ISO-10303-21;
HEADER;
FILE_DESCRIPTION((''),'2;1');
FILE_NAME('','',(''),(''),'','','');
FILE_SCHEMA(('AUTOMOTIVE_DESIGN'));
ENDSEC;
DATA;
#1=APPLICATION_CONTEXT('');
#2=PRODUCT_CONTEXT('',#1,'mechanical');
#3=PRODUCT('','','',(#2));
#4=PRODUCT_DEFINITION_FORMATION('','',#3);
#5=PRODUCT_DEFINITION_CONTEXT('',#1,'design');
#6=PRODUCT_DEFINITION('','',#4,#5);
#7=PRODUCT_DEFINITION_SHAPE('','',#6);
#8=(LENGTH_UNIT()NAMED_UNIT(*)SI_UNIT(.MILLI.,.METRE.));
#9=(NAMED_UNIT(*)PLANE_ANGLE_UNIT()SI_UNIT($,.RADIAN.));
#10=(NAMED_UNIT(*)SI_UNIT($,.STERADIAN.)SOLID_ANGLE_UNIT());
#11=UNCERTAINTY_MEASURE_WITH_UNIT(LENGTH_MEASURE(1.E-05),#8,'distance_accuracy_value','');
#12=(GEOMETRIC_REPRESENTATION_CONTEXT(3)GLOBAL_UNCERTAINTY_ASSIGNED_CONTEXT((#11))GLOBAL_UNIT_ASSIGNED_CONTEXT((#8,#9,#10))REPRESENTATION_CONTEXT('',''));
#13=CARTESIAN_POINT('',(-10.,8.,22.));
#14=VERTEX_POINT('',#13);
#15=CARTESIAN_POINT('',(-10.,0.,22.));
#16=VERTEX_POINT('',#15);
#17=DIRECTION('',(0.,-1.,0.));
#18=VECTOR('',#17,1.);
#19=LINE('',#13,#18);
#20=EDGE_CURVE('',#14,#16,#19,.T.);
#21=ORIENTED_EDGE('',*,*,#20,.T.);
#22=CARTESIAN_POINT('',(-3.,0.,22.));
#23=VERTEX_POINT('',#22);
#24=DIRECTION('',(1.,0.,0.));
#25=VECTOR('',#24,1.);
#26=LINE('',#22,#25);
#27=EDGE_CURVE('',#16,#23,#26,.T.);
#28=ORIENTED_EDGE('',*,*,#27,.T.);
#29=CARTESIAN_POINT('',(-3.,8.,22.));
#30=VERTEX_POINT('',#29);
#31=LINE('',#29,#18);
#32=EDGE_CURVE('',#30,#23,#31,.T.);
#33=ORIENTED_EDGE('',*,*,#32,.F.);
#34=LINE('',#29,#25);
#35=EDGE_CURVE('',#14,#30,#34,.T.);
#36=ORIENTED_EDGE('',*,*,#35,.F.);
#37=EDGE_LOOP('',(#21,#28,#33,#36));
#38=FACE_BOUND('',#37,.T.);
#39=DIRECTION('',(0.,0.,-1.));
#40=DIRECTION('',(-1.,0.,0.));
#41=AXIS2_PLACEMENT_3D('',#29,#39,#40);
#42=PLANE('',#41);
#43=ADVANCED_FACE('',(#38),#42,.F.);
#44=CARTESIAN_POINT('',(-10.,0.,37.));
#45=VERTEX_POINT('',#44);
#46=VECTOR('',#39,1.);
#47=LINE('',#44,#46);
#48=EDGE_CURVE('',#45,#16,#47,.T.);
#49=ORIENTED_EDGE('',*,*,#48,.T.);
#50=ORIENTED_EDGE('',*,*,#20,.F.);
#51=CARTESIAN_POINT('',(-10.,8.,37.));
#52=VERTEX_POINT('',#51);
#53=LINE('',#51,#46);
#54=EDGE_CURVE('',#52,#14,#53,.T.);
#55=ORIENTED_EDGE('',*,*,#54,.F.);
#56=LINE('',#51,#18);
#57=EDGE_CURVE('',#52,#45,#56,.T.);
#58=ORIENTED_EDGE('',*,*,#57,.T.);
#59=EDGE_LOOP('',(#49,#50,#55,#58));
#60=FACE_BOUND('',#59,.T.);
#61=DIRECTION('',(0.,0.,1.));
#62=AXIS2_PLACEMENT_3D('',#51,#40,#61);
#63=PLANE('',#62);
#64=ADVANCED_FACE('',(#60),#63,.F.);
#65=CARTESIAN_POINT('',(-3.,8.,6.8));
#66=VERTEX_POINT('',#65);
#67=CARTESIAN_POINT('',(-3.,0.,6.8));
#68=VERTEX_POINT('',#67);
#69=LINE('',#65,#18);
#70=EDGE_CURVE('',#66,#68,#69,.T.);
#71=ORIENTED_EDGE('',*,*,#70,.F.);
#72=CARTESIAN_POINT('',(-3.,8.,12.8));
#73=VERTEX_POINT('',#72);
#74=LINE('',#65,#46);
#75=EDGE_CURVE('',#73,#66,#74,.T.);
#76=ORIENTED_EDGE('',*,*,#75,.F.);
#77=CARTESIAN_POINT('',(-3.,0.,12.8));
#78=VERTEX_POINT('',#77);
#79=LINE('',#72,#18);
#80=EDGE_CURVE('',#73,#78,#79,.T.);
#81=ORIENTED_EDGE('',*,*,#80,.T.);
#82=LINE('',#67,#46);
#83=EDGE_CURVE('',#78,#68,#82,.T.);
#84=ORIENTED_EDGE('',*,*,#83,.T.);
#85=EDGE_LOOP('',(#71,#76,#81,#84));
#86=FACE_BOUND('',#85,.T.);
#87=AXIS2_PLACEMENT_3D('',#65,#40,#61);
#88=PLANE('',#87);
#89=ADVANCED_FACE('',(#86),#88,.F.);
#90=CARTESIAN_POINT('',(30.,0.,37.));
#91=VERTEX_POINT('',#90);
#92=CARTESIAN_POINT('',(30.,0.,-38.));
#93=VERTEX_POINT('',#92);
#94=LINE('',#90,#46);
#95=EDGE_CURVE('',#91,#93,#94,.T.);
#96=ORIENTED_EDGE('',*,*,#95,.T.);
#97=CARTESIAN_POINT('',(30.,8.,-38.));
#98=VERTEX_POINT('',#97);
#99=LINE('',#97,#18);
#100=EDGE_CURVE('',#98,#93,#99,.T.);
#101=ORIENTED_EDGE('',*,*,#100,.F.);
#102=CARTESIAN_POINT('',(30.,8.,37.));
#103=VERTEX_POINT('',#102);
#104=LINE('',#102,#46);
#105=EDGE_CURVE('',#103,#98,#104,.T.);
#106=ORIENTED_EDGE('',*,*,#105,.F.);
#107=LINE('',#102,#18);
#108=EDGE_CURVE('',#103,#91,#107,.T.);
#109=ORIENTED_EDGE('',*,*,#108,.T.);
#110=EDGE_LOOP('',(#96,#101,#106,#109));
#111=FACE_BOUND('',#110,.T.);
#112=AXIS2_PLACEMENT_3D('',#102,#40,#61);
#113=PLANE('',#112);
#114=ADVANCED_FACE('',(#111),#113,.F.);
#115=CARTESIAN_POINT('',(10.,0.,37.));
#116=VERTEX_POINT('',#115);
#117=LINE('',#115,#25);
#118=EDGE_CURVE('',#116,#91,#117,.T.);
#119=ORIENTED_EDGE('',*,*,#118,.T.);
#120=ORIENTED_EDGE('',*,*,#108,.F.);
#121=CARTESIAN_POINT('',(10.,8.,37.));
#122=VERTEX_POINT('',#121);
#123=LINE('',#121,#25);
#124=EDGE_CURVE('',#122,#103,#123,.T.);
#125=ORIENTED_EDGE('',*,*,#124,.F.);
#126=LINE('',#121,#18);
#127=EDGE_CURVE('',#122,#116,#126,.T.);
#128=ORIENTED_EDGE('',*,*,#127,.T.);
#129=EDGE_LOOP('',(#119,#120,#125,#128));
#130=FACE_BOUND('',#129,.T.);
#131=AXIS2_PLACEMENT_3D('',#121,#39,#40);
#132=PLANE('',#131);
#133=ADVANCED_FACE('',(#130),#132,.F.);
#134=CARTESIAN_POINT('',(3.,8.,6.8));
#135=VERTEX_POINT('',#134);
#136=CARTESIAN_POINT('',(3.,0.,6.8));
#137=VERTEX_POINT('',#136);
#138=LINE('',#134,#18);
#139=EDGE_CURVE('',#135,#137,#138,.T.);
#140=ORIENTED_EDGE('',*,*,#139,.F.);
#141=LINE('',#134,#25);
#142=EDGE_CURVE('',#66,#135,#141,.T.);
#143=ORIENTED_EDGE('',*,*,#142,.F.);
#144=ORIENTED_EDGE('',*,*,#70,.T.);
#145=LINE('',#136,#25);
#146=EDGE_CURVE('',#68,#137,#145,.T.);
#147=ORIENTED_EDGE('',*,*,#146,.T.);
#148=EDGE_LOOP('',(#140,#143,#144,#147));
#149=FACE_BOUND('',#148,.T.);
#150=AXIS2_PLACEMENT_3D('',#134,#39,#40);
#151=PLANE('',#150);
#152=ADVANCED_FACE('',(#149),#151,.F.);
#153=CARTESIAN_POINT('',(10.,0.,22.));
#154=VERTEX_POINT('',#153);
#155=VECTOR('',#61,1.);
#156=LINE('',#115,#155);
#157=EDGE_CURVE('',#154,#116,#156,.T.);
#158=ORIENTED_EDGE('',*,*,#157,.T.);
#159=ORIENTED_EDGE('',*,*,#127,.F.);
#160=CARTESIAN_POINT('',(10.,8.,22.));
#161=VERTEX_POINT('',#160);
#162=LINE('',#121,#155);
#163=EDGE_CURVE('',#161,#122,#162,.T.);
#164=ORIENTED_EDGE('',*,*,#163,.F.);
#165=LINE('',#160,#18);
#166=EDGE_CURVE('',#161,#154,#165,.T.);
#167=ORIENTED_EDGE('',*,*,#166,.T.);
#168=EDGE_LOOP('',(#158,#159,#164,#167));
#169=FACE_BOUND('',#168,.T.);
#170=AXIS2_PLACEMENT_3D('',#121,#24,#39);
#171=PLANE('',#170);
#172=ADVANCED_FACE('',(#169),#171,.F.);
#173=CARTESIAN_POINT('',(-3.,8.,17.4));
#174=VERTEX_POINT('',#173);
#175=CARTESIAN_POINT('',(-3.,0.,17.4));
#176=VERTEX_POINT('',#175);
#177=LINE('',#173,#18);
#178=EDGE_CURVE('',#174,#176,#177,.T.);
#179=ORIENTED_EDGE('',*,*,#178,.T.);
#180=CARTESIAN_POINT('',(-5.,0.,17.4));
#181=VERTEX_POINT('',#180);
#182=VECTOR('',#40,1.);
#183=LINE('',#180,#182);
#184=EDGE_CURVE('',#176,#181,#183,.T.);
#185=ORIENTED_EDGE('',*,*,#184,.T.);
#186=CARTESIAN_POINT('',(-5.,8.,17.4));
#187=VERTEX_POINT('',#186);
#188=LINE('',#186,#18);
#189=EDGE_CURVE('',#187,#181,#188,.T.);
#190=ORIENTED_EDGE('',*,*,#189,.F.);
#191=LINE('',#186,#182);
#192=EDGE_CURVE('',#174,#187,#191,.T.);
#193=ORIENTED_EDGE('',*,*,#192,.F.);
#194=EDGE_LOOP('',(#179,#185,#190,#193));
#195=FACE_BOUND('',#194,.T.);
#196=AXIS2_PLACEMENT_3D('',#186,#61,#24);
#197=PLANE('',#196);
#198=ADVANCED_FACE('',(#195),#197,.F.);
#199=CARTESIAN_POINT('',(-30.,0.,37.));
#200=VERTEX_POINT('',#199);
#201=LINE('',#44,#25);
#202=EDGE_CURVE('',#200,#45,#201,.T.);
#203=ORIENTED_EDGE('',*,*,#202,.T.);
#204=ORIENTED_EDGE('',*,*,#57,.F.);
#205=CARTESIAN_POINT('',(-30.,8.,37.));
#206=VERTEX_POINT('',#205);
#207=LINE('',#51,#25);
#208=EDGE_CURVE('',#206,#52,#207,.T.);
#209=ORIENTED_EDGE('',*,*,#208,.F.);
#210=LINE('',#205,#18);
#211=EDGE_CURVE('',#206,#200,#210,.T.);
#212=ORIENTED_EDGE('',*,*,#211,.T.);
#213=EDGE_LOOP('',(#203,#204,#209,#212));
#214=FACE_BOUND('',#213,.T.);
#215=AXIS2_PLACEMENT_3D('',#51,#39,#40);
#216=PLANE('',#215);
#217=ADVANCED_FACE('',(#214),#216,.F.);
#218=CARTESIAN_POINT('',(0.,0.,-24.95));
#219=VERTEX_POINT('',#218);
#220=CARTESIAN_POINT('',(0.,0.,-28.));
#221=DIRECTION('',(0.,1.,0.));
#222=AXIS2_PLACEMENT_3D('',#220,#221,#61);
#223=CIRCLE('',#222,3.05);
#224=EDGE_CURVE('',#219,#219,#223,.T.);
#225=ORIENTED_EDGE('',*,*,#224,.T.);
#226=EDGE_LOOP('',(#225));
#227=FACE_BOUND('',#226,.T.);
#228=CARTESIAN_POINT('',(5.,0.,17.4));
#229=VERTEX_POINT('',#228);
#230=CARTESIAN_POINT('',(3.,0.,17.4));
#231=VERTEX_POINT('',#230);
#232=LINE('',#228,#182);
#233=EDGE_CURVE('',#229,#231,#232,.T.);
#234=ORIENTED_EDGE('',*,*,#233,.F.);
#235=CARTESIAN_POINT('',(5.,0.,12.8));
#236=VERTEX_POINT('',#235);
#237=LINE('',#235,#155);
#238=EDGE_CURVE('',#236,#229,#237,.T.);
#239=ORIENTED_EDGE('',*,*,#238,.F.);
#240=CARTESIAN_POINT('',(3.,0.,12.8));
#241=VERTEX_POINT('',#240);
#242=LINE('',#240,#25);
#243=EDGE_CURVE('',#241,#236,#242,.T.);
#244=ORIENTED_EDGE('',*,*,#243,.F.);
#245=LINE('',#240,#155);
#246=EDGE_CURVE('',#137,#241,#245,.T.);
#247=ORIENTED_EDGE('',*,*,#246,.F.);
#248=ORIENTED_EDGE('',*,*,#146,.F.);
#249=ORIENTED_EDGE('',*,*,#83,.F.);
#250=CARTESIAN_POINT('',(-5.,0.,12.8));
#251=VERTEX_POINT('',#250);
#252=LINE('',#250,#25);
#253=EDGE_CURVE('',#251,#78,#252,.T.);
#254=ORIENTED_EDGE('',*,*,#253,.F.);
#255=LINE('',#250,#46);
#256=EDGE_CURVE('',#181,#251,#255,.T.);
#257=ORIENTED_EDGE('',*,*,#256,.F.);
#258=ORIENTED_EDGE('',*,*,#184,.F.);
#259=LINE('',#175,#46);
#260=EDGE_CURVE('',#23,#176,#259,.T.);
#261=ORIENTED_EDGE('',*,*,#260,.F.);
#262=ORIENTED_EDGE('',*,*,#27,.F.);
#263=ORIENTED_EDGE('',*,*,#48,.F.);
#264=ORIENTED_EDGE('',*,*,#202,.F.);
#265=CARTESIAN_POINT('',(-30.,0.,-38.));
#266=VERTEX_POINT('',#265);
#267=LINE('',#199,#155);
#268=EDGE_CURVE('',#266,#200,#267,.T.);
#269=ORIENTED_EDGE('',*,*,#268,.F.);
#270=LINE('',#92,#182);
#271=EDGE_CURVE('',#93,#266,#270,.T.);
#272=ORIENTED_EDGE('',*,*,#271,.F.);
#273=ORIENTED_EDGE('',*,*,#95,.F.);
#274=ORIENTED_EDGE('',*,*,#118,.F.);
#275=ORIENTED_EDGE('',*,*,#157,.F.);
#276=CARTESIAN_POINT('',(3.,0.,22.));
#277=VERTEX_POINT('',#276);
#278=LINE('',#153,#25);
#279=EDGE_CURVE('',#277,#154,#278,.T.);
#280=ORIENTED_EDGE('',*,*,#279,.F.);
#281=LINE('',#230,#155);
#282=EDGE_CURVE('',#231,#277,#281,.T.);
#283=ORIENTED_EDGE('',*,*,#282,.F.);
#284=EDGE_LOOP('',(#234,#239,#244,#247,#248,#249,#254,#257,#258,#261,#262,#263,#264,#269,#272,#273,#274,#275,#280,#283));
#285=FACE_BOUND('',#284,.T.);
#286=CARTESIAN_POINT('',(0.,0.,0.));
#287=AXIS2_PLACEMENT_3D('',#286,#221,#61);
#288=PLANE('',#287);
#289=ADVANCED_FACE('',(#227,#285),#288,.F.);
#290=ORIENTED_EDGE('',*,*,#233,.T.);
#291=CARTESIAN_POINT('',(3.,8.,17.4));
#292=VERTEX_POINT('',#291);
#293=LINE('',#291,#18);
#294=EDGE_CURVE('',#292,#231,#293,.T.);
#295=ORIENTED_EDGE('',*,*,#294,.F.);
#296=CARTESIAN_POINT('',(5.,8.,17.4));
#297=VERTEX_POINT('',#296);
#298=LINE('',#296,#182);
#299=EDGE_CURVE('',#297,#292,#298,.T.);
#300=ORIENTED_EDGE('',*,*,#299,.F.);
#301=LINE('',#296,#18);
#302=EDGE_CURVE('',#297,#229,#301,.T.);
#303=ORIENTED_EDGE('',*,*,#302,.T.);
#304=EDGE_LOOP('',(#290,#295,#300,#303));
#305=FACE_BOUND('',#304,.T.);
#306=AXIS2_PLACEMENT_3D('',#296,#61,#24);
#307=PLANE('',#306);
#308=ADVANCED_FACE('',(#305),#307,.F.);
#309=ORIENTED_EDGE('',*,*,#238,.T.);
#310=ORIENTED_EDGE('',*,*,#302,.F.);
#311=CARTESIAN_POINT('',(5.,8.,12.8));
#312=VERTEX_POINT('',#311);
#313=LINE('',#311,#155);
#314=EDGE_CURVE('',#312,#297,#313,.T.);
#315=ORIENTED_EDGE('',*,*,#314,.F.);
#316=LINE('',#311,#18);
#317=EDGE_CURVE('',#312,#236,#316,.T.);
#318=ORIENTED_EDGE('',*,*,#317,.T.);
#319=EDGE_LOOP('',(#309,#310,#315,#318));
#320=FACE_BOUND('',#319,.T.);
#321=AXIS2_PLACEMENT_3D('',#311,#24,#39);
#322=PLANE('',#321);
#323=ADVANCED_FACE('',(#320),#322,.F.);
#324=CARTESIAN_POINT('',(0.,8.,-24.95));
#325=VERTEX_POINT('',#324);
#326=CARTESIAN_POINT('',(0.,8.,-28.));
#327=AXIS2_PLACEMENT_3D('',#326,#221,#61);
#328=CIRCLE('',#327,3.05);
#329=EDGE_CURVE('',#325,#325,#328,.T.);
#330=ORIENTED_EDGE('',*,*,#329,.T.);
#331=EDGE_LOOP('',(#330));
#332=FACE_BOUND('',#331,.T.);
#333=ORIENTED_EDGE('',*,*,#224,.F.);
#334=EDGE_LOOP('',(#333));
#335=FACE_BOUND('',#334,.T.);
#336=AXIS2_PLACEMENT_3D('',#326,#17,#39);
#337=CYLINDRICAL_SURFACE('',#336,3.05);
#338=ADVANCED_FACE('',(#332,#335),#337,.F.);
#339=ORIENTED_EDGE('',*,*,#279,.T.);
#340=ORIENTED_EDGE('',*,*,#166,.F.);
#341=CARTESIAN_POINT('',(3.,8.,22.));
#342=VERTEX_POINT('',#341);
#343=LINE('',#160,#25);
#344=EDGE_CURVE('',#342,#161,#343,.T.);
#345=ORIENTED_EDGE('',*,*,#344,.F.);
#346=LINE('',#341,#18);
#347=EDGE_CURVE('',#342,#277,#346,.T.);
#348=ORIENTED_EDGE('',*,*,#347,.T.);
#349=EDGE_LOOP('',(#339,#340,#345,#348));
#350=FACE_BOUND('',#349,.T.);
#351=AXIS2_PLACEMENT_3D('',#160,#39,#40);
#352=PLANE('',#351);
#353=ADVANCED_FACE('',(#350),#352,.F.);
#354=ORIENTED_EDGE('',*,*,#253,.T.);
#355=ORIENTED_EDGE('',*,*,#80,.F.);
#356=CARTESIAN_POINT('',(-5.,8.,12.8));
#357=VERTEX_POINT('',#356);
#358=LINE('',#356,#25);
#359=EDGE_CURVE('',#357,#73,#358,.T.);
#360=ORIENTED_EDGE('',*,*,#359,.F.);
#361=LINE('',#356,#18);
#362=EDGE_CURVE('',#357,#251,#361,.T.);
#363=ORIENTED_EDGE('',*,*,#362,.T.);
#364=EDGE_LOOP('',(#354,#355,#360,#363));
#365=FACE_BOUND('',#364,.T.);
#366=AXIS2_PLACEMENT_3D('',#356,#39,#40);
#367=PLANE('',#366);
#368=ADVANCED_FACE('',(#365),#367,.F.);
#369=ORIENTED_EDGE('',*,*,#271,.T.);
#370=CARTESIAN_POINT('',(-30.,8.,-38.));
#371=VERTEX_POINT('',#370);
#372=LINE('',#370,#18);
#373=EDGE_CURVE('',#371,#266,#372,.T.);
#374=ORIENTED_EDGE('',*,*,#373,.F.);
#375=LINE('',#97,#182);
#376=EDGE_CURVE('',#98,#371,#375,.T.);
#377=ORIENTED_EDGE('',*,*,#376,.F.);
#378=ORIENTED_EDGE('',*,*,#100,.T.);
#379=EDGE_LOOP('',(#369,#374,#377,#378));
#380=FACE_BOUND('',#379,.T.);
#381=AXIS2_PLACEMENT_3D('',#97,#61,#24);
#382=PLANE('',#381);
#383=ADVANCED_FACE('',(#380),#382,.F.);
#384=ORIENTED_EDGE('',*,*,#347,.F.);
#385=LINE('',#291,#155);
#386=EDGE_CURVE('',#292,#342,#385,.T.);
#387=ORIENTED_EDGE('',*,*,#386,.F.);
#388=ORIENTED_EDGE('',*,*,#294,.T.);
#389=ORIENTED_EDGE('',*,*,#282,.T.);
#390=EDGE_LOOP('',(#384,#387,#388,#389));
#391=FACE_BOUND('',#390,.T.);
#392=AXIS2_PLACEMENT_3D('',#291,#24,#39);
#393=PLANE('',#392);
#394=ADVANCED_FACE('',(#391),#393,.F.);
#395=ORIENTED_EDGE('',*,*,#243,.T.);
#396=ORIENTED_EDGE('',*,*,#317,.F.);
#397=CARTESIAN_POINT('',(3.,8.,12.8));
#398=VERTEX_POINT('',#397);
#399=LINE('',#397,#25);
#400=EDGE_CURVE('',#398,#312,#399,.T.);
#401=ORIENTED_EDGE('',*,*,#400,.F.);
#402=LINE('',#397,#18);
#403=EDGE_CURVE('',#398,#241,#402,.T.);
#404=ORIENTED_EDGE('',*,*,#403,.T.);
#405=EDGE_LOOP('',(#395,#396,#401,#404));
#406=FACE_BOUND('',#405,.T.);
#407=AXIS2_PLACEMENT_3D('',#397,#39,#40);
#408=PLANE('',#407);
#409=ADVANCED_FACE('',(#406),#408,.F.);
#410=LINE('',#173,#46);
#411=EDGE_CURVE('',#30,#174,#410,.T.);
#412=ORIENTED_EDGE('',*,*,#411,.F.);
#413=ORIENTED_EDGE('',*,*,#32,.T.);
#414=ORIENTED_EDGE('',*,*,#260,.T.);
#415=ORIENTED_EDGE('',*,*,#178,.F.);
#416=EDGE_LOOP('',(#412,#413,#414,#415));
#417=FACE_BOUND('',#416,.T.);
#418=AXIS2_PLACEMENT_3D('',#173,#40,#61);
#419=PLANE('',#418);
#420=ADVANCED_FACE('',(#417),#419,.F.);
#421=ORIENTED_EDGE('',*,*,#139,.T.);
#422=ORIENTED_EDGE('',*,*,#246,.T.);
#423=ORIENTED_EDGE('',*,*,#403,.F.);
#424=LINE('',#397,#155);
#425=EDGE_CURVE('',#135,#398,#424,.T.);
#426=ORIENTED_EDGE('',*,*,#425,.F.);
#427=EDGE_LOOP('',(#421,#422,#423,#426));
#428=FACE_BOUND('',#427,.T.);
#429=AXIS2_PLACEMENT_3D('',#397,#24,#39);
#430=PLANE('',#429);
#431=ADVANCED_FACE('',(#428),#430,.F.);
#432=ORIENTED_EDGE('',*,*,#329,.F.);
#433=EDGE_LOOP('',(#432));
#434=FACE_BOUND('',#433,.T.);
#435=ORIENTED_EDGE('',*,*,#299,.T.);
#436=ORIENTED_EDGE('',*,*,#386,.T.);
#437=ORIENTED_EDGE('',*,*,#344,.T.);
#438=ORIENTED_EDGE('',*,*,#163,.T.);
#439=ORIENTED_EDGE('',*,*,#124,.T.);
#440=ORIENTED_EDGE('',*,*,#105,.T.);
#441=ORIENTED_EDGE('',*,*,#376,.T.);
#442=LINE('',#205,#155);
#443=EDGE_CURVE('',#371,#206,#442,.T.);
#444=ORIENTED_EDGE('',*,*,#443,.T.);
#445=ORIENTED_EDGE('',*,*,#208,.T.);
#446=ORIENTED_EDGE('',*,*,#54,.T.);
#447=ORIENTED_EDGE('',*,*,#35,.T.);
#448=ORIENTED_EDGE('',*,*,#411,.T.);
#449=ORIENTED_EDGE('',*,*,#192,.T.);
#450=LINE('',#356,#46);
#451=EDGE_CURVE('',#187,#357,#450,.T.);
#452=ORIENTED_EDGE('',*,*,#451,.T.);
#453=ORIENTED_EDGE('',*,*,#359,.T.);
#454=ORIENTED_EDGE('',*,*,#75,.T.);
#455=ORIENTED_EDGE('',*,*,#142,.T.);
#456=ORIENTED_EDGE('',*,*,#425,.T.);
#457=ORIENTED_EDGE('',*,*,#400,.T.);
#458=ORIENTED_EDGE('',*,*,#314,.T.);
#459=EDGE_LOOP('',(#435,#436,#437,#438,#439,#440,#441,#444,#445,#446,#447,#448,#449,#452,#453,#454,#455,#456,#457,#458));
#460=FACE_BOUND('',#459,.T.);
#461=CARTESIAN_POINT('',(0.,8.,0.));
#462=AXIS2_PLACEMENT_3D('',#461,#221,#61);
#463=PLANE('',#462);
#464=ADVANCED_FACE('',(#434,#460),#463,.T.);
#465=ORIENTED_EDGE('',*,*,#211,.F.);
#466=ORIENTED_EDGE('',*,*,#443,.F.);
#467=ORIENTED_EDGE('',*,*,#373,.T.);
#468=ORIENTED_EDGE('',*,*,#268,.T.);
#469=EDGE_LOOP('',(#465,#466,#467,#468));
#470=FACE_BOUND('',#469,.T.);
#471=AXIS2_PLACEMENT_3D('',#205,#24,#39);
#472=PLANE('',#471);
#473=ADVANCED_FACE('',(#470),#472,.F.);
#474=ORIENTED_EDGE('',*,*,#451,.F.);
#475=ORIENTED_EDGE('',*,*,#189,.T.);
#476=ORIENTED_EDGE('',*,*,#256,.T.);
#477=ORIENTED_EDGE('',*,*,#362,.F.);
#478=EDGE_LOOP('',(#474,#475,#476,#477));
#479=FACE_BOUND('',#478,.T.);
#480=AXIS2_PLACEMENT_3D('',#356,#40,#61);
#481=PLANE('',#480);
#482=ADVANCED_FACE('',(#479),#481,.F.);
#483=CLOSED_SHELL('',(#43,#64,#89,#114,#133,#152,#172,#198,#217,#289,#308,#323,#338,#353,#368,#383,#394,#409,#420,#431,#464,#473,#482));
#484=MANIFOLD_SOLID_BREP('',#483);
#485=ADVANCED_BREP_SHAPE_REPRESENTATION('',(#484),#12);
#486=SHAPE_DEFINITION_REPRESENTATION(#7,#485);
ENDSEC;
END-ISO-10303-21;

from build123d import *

# Parameters (mm, degrees)
SKETCH1_R           = 3.05
BOSS_EXTRUDE1_DEPTH = 8


with BuildPart() as part:
    # Sketch1 → Boss-Extrude1 (new body)
    with BuildSketch(Plane(origin=(0, 0, 0), x_dir=(1, 0, 0), z_dir=(0, 1, 0))):
        Polygon((-10, -37), (-10, -22), (-3, -22), (-3, -17.4), (-5, -17.4), (-5, -12.8), (-3, -12.8), (-3, -6.8), (3, -6.8), (3, -12.8), (5, -12.8), (5, -17.4), (3, -17.4), (3, -22), (10, -22), (10, -37), (30, -37), (30, 38), (-30, 38), (-30, -37), align=None)
        with Locations(Location((0, 28, 0), (0, 0, 270))):
            Circle(SKETCH1_R, mode=Mode.SUBTRACT)
    extrude(amount=BOSS_EXTRUDE1_DEPTH)


solid = part.part
